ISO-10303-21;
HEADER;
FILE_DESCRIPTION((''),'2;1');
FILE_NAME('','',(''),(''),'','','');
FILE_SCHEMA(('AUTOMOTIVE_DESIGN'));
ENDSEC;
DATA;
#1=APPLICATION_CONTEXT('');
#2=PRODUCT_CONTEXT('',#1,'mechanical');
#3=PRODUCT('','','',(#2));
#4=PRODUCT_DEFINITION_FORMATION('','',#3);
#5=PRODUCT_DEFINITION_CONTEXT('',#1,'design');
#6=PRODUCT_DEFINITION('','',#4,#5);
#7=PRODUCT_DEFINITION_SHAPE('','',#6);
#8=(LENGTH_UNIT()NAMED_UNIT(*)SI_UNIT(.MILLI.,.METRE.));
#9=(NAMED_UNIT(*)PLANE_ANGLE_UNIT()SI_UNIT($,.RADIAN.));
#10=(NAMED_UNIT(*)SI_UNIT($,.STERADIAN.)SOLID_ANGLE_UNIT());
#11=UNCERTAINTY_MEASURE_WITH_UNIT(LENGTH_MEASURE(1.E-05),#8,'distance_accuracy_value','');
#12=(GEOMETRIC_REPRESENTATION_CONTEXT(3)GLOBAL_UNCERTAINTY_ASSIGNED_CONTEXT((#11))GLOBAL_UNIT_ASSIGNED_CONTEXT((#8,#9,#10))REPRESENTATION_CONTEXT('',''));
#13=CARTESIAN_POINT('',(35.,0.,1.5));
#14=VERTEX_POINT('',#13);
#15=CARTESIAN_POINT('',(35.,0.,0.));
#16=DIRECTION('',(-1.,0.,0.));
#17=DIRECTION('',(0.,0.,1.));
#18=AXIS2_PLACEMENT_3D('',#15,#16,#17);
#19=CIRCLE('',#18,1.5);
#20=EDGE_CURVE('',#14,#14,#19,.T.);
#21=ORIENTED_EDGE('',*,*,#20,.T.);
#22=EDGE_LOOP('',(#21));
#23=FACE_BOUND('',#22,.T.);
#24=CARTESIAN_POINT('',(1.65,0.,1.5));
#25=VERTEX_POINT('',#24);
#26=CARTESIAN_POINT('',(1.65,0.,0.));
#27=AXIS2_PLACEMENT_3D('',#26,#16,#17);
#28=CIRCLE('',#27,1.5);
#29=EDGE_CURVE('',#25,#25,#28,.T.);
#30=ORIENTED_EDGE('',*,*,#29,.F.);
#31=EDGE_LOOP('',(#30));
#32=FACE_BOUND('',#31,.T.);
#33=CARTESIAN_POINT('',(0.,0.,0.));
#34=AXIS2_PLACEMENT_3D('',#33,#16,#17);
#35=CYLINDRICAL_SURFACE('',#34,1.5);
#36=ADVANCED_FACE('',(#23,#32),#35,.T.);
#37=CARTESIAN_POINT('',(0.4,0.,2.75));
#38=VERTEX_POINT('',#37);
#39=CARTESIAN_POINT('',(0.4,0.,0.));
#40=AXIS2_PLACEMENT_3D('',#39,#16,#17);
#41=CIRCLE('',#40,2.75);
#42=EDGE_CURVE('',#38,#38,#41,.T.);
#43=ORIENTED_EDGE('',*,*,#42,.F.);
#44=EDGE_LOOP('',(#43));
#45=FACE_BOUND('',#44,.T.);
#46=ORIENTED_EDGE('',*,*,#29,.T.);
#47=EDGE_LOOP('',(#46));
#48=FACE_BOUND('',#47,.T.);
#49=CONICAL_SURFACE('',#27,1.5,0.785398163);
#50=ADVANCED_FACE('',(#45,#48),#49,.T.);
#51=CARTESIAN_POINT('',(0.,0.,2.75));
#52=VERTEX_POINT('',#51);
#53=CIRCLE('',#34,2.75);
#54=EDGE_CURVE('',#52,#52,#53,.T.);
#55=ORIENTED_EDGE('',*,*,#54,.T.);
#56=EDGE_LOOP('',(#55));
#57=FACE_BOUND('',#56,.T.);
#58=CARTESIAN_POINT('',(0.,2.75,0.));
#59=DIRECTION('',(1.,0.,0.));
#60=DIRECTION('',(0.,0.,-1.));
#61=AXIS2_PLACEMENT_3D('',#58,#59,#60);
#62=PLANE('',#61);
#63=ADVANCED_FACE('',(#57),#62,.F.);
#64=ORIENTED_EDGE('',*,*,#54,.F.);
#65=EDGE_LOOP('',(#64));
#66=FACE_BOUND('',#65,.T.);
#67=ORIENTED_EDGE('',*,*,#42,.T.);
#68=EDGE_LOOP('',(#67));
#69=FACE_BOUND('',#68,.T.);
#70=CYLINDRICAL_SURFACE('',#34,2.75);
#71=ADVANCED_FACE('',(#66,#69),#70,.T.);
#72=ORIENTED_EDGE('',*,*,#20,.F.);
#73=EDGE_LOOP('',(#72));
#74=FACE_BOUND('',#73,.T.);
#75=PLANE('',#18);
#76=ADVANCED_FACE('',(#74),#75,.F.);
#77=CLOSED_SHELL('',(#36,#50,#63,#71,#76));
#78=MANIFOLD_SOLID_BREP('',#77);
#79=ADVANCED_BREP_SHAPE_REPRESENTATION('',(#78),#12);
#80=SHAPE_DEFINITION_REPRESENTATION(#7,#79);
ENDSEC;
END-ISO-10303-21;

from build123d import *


with BuildPart() as part:
    # Esquisse1 → Révolution1 (revolve)
    with BuildSketch(Plane.XY, mode=Mode.PRIVATE) as r_volution1_sk:
        Polygon((0, 0), (35, 0), (35, 1.5), (1.65, 1.5), (0.4, 2.75), (0, 2.75), align=None)
    revolve(r_volution1_sk.sketch.rotate(Axis((0, 0, 0), (1, 0, 0)), 90), axis=Axis((0, 0, 0), (1, 0, 0)))


solid = part.part
